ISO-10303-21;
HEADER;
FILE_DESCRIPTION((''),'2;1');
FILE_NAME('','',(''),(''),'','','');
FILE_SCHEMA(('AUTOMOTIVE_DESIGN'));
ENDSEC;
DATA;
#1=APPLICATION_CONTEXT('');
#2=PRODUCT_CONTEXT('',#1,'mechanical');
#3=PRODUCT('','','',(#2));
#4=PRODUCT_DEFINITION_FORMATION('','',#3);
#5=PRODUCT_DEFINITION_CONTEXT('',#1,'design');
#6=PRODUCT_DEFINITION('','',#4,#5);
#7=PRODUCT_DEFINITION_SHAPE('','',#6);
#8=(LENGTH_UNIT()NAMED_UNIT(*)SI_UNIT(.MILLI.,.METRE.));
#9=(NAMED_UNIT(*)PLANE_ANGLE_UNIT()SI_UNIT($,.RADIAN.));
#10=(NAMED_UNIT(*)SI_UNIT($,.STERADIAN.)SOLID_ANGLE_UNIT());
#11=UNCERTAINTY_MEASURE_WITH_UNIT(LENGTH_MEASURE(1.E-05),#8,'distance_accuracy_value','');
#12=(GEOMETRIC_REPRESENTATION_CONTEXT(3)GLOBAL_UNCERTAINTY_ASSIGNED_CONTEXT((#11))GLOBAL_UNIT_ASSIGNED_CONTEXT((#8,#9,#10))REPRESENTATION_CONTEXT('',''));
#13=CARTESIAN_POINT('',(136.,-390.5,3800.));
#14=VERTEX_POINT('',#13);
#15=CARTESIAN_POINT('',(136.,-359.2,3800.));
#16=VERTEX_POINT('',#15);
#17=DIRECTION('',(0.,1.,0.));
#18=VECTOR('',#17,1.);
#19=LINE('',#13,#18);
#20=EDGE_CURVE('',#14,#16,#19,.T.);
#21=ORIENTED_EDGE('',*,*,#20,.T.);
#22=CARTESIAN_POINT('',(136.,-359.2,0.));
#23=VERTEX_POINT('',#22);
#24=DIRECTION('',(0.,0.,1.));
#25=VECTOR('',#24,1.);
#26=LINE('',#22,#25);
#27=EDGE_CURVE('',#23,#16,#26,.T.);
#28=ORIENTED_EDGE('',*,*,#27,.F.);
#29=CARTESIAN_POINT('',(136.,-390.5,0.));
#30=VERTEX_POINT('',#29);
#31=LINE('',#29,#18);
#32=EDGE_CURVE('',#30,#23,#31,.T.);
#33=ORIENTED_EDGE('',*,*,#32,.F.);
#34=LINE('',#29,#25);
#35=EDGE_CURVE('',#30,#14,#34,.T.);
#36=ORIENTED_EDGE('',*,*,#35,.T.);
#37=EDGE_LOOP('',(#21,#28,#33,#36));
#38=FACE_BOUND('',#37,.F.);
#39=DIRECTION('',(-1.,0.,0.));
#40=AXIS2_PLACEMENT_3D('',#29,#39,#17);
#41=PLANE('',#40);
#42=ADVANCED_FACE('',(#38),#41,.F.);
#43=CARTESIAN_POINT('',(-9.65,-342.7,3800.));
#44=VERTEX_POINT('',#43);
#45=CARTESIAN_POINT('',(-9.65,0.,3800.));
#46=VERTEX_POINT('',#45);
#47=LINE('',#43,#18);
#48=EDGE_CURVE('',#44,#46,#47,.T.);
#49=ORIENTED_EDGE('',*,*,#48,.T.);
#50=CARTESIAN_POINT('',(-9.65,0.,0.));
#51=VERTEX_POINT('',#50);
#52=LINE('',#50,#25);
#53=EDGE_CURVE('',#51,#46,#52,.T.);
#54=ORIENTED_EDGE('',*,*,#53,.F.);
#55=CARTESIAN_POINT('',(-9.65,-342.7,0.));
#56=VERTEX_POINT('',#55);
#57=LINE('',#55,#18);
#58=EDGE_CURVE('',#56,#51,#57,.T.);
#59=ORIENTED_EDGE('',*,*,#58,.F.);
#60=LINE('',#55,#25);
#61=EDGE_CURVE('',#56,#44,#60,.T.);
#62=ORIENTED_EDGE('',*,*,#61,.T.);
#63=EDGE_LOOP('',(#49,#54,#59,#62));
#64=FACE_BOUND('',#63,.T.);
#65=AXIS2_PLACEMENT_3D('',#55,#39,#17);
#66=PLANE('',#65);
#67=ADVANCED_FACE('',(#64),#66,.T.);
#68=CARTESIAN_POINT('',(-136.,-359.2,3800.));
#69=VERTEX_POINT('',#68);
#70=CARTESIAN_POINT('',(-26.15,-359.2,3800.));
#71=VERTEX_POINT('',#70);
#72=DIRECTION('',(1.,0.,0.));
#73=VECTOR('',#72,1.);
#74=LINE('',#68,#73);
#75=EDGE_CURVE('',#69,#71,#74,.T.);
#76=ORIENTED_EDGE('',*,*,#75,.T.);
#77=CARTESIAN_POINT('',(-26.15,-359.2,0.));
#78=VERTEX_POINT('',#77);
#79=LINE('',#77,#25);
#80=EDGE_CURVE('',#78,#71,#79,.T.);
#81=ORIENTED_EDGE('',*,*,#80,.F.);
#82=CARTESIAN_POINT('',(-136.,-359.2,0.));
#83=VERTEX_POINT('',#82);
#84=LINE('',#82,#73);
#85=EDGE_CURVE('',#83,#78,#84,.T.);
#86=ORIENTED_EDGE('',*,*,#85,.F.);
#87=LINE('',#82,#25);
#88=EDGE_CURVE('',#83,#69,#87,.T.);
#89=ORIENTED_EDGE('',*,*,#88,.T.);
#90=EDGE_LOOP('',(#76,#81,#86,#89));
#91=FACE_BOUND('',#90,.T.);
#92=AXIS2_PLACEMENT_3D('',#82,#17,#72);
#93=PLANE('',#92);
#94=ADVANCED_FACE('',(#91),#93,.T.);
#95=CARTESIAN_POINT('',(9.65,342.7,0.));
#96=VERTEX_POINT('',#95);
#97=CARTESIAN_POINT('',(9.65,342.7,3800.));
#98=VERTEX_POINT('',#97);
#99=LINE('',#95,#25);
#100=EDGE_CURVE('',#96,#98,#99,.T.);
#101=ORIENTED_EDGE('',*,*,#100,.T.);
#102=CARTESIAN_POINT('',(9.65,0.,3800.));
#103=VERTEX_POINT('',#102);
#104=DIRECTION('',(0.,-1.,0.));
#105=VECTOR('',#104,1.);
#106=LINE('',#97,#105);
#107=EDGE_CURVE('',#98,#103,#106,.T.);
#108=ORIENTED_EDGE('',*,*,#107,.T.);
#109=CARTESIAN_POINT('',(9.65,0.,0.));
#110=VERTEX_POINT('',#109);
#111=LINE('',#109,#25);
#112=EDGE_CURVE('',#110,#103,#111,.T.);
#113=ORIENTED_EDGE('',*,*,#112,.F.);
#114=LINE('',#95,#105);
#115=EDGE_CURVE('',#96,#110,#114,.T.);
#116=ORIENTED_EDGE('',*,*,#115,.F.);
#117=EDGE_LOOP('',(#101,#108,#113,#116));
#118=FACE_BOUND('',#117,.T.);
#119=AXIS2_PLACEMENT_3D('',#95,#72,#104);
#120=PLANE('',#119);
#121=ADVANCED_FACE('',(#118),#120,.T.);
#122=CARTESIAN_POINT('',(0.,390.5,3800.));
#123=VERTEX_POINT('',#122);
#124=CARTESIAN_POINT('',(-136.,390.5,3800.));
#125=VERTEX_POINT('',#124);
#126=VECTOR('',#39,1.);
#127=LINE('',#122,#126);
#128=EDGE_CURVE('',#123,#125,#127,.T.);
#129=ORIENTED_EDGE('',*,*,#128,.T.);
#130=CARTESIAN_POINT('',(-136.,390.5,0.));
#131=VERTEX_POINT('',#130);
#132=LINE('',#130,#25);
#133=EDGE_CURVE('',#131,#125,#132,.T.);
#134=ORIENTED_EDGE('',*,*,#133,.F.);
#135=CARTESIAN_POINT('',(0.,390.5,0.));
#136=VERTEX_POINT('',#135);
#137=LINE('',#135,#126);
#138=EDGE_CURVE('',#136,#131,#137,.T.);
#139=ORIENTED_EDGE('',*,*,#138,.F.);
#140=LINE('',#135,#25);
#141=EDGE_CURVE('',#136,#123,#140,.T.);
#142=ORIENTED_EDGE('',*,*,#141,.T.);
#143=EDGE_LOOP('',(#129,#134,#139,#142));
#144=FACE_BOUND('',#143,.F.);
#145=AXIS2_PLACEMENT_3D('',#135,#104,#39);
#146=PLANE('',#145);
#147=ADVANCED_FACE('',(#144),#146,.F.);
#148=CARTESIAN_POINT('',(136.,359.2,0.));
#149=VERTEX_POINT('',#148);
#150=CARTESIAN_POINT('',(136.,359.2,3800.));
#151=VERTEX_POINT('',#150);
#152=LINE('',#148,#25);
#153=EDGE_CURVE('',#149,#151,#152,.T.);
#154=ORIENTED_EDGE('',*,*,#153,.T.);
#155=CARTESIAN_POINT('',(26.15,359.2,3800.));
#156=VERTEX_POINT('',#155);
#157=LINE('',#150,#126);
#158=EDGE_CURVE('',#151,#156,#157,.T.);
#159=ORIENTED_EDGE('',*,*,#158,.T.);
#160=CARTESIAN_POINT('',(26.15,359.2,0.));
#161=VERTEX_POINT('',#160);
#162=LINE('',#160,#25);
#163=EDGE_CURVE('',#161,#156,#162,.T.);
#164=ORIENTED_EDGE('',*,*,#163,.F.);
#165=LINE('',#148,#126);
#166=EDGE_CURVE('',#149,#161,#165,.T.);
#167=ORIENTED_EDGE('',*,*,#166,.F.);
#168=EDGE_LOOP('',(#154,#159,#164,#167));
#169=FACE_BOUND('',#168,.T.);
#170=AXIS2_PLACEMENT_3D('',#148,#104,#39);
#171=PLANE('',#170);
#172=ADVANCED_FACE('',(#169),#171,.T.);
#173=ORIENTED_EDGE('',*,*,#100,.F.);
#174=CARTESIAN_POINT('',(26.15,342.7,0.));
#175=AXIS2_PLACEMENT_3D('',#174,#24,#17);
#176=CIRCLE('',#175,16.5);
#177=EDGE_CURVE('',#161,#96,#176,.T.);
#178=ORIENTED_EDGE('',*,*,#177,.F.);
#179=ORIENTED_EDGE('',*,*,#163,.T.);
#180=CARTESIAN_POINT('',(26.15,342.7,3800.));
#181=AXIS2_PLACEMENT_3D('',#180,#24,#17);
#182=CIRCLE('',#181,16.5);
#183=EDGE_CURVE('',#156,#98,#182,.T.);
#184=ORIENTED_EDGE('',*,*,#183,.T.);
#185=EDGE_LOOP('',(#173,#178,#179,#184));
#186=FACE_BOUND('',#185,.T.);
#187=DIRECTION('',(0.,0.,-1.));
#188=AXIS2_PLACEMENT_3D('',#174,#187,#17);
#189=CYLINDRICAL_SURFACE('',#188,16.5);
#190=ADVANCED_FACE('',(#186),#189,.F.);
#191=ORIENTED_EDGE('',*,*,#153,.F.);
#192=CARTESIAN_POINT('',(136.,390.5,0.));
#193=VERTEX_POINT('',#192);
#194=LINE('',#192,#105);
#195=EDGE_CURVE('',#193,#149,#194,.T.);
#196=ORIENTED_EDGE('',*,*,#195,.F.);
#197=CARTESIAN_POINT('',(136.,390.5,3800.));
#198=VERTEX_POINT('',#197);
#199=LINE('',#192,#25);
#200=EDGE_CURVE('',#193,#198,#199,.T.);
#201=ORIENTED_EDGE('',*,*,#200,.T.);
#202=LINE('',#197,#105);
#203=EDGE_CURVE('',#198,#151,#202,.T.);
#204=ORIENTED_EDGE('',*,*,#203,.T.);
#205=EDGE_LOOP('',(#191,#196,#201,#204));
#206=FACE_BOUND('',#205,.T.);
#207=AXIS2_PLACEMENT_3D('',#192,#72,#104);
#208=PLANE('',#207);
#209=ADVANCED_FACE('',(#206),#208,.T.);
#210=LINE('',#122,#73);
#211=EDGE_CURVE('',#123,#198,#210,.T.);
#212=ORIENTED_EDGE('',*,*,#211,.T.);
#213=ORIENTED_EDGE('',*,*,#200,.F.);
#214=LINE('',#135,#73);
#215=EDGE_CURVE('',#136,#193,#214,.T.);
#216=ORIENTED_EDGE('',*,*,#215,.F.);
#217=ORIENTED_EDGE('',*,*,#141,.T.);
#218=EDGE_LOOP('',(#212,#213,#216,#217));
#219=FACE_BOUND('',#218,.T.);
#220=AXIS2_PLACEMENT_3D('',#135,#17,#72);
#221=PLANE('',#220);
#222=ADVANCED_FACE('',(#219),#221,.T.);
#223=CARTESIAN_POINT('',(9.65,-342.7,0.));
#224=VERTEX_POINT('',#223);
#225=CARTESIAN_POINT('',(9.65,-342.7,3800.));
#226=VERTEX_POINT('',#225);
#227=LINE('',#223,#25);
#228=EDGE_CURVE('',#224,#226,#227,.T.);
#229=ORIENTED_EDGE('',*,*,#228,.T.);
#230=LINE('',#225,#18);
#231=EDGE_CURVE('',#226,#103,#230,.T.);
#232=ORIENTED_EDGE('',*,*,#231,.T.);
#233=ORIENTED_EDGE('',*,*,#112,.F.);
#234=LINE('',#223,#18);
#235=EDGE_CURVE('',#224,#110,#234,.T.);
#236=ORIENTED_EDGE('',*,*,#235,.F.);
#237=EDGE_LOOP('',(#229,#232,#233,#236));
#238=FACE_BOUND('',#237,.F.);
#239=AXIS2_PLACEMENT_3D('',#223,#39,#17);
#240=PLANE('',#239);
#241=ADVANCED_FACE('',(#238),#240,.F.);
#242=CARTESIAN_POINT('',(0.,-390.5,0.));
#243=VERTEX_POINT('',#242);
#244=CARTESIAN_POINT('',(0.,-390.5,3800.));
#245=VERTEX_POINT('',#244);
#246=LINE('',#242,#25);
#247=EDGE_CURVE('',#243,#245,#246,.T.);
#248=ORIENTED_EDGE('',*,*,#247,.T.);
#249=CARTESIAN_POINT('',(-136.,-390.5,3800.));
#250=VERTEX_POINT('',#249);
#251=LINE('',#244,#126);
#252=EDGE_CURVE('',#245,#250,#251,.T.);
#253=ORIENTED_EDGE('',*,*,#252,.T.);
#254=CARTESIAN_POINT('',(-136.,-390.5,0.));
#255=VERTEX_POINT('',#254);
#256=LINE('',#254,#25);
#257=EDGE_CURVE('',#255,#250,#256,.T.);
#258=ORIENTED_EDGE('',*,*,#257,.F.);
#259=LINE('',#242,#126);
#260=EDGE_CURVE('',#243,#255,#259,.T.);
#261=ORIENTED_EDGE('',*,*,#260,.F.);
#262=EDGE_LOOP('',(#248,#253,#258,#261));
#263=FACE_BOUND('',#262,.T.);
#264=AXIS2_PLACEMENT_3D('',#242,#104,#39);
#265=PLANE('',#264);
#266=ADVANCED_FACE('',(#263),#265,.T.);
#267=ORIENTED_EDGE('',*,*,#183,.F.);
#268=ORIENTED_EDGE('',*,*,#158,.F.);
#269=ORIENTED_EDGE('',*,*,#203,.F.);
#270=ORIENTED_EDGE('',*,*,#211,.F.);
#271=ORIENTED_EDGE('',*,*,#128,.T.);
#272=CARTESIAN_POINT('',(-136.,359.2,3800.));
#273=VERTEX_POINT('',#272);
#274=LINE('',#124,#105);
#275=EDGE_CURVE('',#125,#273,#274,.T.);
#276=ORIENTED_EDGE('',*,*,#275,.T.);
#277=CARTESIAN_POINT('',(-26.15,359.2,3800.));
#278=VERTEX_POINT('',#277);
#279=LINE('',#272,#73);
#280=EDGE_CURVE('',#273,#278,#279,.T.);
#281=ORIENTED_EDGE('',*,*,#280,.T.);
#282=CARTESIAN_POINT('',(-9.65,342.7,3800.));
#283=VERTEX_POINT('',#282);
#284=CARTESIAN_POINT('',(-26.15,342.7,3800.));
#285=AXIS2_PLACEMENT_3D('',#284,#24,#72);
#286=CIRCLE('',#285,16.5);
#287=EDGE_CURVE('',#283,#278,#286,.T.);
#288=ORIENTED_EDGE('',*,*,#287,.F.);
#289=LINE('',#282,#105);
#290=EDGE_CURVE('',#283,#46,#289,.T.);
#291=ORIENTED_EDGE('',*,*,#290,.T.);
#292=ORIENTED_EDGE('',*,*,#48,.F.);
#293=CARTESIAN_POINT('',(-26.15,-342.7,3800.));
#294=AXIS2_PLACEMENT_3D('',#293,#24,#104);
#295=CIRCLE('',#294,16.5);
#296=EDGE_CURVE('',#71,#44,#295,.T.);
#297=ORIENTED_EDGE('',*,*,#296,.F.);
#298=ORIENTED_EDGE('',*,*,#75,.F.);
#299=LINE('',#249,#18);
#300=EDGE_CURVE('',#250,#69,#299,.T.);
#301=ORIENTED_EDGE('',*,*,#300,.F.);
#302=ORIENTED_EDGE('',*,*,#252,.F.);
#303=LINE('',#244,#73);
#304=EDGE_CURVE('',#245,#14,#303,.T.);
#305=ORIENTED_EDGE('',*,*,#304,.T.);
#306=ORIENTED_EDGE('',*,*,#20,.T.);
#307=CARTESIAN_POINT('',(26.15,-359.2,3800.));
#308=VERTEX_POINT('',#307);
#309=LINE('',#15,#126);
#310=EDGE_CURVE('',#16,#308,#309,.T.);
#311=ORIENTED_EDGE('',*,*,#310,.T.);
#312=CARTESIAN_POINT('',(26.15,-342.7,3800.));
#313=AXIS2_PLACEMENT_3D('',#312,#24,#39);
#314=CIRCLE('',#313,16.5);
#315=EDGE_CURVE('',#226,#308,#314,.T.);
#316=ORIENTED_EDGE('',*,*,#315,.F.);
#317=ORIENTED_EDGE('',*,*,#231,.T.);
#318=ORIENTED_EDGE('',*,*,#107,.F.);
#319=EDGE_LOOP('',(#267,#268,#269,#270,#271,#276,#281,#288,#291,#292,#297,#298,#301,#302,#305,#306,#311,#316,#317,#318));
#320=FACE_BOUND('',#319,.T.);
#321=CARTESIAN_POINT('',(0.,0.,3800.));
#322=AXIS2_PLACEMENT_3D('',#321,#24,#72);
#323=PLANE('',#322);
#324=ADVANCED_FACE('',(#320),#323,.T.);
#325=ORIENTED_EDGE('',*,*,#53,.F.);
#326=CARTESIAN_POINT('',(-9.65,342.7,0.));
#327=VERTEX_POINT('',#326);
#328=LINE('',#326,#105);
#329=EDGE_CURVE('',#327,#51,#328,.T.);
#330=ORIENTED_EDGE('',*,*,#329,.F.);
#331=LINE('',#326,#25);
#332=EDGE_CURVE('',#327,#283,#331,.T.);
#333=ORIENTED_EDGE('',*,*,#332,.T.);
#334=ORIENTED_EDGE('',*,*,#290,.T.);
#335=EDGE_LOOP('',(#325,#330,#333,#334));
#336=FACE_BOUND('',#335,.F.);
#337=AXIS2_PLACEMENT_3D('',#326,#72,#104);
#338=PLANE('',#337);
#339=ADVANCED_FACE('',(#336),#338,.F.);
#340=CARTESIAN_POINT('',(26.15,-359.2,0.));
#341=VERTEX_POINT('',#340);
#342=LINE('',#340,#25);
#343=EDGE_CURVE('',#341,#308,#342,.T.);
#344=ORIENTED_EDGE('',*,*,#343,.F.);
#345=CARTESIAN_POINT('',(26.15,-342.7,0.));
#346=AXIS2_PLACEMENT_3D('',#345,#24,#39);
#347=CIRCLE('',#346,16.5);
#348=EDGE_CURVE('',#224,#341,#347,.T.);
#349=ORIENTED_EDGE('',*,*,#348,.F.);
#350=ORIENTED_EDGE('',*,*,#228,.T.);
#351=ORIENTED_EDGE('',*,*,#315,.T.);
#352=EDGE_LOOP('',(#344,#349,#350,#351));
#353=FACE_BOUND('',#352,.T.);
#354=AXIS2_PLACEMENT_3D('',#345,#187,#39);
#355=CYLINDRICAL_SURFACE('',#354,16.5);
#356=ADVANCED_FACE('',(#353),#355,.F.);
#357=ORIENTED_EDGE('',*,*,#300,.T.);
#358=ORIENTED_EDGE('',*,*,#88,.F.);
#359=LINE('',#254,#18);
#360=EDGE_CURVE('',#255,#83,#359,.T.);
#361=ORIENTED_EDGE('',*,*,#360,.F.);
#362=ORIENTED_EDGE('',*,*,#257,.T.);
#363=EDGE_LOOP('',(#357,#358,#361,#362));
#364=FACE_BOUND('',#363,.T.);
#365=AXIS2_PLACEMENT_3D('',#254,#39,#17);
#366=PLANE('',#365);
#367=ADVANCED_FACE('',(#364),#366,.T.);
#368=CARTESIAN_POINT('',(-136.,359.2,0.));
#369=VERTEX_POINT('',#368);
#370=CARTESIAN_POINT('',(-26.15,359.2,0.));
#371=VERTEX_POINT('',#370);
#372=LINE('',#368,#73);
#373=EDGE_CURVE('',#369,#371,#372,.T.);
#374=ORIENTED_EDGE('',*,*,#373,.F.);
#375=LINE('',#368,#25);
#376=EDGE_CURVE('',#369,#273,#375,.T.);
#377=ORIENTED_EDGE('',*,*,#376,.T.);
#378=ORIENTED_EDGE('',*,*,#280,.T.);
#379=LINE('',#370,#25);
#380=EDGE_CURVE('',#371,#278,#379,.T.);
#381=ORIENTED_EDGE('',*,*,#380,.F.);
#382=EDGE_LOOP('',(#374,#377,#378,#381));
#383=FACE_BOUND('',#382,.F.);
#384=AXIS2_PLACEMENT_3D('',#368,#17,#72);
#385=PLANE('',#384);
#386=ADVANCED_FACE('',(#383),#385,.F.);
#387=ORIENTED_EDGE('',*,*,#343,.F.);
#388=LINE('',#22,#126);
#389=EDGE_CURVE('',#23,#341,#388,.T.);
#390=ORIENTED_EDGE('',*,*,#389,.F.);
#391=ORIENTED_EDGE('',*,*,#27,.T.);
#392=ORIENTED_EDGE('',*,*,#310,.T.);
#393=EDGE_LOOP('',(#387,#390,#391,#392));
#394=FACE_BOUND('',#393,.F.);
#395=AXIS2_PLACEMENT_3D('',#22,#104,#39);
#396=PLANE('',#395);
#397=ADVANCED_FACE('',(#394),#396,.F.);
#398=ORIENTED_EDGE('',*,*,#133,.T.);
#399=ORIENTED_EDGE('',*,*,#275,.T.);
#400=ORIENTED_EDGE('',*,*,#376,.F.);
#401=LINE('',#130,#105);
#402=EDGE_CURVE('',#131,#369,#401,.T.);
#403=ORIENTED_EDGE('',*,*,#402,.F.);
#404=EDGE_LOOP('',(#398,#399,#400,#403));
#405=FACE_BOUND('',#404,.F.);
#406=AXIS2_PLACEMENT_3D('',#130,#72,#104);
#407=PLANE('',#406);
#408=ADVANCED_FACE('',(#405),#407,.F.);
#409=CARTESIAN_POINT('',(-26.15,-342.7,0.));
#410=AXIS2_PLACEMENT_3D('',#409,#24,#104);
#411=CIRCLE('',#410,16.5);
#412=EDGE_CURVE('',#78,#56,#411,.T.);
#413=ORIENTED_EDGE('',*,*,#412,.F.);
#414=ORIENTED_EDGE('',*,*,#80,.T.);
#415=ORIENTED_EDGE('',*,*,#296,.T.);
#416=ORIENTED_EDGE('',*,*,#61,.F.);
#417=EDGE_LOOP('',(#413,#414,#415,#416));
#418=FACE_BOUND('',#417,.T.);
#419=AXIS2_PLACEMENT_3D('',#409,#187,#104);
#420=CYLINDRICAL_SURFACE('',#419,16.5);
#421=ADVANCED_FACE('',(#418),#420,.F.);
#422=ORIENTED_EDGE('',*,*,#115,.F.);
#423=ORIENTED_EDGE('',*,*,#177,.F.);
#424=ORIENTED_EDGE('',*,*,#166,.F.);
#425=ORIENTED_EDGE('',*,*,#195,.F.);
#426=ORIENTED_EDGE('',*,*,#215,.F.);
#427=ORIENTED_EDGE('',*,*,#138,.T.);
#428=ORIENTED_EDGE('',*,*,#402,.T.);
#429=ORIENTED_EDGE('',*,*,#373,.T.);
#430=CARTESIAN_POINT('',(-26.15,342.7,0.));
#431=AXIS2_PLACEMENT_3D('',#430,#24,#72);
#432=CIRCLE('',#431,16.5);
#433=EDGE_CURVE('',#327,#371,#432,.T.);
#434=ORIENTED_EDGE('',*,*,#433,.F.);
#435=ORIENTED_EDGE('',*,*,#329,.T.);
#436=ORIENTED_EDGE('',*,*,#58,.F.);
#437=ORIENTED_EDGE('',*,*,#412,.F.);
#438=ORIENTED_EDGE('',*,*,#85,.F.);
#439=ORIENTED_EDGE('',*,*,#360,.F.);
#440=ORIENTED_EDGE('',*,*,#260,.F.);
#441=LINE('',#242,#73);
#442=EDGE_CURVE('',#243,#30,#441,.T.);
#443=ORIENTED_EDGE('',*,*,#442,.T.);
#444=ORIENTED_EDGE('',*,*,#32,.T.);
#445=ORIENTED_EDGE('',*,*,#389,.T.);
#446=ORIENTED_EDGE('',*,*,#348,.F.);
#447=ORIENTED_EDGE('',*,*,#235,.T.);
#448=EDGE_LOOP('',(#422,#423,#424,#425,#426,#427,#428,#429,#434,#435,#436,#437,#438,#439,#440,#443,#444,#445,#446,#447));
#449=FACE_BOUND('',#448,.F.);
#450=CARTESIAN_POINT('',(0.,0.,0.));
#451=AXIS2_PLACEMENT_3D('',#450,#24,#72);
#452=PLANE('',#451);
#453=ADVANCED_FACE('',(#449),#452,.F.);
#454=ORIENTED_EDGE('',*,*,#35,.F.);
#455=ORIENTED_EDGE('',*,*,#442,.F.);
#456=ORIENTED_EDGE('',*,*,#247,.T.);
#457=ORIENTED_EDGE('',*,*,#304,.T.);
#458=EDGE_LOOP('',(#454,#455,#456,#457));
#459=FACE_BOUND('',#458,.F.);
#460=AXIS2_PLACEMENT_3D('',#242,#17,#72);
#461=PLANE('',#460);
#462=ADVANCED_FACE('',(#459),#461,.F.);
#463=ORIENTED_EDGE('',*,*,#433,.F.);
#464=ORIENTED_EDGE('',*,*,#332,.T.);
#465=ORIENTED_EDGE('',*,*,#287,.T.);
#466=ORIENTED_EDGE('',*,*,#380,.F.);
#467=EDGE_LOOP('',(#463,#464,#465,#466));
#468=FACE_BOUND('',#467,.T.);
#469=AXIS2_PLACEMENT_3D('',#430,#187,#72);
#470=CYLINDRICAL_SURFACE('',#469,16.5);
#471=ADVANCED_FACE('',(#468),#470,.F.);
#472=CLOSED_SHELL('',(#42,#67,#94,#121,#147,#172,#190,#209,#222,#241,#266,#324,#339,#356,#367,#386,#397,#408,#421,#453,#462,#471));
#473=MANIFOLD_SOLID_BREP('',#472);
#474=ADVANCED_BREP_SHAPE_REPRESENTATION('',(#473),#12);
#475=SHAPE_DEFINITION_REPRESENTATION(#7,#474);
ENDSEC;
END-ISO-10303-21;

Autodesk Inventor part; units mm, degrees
ref_plane "YZ Plane" through (0, 0, 0) normal (1, 0, 0) x (0, 1, 0)
ref_plane "Start plane" through (0, 0, 0) normal (0, 0, 1) x (1, 0, 0)
ref_plane "End plane" through (0, 0, 3800) normal (0, 0, 1) x (1, 0, 0)
sketch "Sketch" plane through (0, 0, 0) normal (0, 0, 1) x (1, 0, 0)
  line L0 (-136, -390.5) -> (-136, -359.2)
  line L1 (-136, -359.2) -> (-26.15, -359.2)
  line L2 (-9.65, -342.7) -> (-9.65, 0)
  line L3 (-9.65, 0) -> (0, 0) construction
  line L4 (0, 0) -> (0, -390.5) construction
  line L5 (0, -390.5) -> (-136, -390.5)
  line L6 (-60, 0) -> (80, 0) construction
  line L7 (0, -60) -> (0, 80) construction
  line L8 (136, -390.5) -> (136, -359.2)
  line L9 (136, -359.2) -> (26.15, -359.2)
  line L10 (9.65, -342.7) -> (9.65, 0)
  line L11 (9.65, 0) -> (0, 0) construction
  line L12 (0, -390.5) -> (136, -390.5)
  line L13 (-136, 390.5) -> (-136, 359.2)
  line L14 (-136, 359.2) -> (-26.15, 359.2)
  line L15 (-9.65, 342.7) -> (-9.65, 0)
  line L16 (0, 390.5) -> (-136, 390.5)
  line L17 (136, 390.5) -> (136, 359.2)
  line L18 (136, 359.2) -> (26.15, 359.2)
  line L19 (0, 390.5) -> (136, 390.5)
  line L20 (9.65, 342.7) -> (9.65, 0)
  arc A0 (-9.65, 342.7) -> (-26.15, 359.2) centre (-26.15, 342.7) ccw
  arc A1 (26.15, 359.2) -> (9.65, 342.7) centre (26.15, 342.7) ccw
  arc A2 (9.65, -342.7) -> (26.15, -359.2) centre (26.15, -342.7) ccw
  arc A3 (-26.15, -359.2) -> (-9.65, -342.7) centre (-26.15, -342.7) ccw
  line L21 (0, 108) -> (0, -88) construction
  line L22 (-88, 0) -> (108, 0) construction
  point P0 (-9.65, -359.2)
  point P1 (9.65, -359.2)
  point P2 (-9.65, 359.2)
  point P3 (9.65, 359.2)
  dimension "d1" = 390.5
  dimension "d2" = 31.3
  dimension "d3" = 136
  dimension "d4" = 9.65
  dimension "d10" = 16.5
extrude "Body" add sketch "Sketch" along normal up to surface (3800 mm away) from surface at 0
sketch "Sketch4" plane through (0, 0, 0) normal (0, 0, 1) x (1, 0, 0)
  line L0 (0, 0) -> (10, 0)
ref_plane "Work Plane3" through (0, 0, 0) normal (0, -1, 0) x (1, 0, 0)
sketch "Sketch5" plane through (0, 0, 0) normal (0, -1, 0) x (1, 0, 0)
  line L0 (-2, 0) -> (12, 0) projected
  line L1 (-2, 3800) -> (12, 3800) projected
  dimension "d14" = 3800
equation "\"d1\" = 0.5 * G_H"
equation "\"d2\" = G_T1"
equation "\"d3\" = 0.5 * G_W"
equation "\"d4\" = 0.5 * G_T"
equation "\"d10\" = G_IR"
equation "\"d5\" = G_L"
equation "\"G_W\" = 272"
equation "\"G_H\" = 781"
equation "\"G_T\" = 19.3"
equation "\"G_T1\" = 31.3"
equation "\"G_IR\" = 16.5"
equation "\"G_L\" = d14"
equation "\"G_OFFSET_START\" = 0"
equation "\"G_OFFSET_END\" = 0"
properties part number "AS 3679-1990 - 760 UB - 244 - 3800" material "Steel, Mild"
